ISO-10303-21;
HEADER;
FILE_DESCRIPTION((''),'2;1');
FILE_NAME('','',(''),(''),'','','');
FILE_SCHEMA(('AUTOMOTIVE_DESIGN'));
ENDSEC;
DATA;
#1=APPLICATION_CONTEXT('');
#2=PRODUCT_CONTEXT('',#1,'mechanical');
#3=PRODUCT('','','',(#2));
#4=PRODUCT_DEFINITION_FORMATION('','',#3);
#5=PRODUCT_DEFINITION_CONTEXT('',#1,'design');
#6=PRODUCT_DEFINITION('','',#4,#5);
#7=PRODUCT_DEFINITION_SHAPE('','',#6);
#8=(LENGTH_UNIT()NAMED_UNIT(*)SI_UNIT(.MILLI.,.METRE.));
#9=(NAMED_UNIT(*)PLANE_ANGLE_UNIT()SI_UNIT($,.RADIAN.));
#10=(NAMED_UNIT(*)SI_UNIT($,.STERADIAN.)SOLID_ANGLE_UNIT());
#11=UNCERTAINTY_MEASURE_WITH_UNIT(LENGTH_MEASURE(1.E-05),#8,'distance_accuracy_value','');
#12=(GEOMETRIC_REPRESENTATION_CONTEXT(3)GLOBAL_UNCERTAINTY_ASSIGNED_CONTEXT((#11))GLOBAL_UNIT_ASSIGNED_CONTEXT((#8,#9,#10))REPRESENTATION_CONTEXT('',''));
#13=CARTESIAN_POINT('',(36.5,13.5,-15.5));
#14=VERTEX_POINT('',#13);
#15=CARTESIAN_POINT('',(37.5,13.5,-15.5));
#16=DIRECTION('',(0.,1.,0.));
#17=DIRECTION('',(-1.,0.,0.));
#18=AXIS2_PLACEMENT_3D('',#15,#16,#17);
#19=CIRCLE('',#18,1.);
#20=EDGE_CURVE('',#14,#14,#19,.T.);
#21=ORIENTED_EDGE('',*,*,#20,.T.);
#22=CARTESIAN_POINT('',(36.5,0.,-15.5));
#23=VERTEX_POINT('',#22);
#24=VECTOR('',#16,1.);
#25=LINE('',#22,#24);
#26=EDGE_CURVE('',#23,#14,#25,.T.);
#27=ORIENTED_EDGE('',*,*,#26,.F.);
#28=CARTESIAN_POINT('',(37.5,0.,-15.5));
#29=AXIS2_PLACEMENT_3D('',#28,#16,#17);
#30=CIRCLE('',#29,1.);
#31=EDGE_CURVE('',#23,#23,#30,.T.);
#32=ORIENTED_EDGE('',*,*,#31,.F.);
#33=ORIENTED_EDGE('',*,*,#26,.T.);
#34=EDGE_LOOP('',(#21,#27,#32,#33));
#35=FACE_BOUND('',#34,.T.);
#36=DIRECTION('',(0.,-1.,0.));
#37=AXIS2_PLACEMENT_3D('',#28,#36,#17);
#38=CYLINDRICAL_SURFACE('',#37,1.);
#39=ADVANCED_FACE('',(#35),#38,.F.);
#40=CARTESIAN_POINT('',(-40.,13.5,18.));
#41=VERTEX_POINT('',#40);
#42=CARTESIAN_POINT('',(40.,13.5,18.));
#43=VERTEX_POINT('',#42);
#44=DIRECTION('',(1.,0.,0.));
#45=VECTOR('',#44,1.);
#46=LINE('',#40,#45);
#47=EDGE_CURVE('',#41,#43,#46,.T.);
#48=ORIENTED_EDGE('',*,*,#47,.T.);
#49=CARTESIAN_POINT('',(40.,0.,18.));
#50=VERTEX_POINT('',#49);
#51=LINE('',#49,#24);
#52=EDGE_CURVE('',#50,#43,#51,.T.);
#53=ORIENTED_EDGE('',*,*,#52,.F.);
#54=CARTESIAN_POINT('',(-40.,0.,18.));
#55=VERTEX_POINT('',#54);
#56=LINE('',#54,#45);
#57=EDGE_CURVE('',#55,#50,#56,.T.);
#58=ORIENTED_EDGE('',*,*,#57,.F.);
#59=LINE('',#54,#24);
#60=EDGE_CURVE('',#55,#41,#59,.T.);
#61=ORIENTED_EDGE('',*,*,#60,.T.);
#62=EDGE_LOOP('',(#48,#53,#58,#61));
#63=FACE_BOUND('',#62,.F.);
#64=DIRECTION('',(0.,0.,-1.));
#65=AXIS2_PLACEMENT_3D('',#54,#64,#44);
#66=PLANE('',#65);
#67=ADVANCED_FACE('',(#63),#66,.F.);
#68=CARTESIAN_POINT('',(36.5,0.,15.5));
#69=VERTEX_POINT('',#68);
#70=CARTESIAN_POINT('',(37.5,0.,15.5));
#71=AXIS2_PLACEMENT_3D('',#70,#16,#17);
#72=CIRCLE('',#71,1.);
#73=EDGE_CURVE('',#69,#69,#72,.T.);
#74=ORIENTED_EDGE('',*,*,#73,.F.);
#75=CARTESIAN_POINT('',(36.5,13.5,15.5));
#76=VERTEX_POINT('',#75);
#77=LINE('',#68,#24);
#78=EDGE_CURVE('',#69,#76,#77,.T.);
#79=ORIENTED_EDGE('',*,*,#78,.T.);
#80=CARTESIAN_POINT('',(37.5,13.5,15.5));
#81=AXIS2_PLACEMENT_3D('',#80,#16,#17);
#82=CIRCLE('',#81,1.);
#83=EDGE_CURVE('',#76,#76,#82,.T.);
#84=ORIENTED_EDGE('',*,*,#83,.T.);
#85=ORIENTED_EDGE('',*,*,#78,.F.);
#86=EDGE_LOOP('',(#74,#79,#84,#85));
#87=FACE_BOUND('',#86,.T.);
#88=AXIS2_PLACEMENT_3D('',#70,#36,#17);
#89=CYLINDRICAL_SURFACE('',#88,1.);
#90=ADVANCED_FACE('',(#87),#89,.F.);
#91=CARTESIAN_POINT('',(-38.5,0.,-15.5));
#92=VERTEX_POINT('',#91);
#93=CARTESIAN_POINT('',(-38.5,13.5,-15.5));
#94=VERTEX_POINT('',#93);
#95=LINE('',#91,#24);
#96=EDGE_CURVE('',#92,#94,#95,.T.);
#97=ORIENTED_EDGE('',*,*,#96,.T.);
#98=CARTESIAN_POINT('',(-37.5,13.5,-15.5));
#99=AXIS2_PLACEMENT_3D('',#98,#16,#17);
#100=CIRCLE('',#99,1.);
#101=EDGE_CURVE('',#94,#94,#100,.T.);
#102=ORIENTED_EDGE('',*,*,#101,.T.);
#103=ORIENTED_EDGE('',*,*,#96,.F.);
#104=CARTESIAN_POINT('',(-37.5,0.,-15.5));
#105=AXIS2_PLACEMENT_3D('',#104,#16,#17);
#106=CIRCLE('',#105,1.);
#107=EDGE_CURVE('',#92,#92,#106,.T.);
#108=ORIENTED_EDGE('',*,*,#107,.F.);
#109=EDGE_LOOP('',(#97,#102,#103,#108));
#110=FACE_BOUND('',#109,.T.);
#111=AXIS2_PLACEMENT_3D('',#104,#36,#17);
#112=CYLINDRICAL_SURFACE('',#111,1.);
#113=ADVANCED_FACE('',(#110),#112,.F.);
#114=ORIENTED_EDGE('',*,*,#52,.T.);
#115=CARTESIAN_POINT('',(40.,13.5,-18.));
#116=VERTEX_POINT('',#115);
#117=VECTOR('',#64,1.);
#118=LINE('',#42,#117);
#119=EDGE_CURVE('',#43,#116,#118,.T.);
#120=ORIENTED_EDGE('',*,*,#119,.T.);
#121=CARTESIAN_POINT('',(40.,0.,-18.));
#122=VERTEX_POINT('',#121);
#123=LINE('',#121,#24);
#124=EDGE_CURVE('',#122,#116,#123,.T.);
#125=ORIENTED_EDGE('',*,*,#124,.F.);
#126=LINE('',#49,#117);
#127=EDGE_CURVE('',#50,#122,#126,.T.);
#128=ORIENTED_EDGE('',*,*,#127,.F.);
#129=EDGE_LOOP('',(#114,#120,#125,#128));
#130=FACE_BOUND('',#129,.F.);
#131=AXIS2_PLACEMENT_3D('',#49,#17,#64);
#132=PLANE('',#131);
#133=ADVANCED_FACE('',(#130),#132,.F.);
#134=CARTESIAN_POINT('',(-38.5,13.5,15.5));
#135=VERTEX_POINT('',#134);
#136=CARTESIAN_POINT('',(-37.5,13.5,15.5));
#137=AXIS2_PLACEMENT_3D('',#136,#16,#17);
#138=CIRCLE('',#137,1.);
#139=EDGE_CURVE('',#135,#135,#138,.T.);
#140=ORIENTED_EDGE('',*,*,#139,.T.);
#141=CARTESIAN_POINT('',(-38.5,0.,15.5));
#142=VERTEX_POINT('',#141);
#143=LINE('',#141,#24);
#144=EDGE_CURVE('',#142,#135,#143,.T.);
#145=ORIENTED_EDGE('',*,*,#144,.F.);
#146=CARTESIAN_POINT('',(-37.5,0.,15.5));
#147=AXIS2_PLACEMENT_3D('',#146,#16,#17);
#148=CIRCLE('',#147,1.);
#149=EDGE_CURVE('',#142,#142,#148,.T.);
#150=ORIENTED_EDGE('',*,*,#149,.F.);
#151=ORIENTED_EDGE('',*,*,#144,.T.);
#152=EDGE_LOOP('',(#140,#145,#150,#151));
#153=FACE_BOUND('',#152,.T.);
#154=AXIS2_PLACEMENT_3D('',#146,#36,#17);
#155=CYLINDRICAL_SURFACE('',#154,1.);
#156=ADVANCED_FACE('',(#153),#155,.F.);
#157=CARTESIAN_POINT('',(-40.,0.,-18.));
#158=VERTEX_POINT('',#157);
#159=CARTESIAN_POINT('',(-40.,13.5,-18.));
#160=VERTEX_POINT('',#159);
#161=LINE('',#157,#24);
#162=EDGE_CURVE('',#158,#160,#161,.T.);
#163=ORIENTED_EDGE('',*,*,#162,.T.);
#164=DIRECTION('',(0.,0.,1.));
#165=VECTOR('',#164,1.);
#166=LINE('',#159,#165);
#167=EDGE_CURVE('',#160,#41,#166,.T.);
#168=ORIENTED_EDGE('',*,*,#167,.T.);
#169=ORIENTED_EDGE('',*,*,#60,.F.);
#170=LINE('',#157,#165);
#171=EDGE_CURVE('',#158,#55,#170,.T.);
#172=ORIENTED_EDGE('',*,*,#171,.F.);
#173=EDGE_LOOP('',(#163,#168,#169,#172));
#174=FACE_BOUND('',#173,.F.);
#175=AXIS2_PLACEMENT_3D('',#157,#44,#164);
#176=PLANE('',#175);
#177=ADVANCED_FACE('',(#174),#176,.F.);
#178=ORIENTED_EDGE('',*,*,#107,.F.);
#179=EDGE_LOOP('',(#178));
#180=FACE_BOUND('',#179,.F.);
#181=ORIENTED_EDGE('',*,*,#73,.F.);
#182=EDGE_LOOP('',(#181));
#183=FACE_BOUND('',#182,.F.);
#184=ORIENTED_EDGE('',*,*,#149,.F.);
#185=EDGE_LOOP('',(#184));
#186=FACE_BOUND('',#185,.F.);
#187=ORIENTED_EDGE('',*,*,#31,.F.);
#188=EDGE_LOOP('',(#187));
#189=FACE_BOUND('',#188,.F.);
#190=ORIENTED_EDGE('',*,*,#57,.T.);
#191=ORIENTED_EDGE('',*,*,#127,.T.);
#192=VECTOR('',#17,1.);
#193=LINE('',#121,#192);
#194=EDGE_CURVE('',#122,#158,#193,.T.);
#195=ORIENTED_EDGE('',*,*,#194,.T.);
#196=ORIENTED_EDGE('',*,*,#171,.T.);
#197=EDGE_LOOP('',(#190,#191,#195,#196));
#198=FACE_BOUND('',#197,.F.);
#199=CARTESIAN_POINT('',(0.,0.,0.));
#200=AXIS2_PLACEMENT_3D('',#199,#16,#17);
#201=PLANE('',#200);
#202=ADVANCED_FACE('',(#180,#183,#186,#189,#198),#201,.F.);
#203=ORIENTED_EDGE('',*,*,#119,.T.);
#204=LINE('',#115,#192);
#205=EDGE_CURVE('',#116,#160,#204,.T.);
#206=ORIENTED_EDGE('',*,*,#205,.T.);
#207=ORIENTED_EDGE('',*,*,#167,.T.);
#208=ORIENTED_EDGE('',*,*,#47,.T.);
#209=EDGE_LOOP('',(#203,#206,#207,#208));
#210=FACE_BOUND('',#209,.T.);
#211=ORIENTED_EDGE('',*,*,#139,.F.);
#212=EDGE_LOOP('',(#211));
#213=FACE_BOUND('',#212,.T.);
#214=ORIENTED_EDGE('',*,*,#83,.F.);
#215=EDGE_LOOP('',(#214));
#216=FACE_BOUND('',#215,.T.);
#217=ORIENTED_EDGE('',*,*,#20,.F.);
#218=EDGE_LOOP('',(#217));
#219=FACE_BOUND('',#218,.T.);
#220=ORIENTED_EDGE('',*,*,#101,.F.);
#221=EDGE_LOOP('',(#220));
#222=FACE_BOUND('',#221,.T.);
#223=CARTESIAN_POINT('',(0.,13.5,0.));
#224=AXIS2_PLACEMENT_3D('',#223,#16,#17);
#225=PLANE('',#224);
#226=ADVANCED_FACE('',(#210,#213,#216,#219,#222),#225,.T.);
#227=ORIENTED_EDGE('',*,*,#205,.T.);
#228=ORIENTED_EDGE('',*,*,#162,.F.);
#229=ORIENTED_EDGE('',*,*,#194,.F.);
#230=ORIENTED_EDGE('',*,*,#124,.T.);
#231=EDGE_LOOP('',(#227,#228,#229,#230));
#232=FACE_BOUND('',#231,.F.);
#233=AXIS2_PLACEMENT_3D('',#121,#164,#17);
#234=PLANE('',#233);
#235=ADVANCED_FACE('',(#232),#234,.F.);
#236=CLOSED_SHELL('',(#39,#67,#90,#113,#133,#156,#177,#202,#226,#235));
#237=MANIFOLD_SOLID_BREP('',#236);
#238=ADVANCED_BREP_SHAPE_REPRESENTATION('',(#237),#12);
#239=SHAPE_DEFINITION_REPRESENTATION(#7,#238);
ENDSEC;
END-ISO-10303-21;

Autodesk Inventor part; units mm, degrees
ref_plane "YZ Plane" through (0, 0, 0) normal (1, 0, 0) x (0, 1, 0)
ref_plane "XZ Plane" through (0, 0, 0) normal (0, 1, 0) x (-1, 0, 0)
ref_plane "XY Plane" through (0, 0, 0) normal (0, 0, 1) x (1, 0, 0)
sketch "Sketch1" plane through (0, 0, 0) normal (0, 1, 0) x (-1, 0, 0)
  line L0 (40, 18) -> (-40, 18)
  line L1 (-40, 18) -> (-40, -18)
  line L2 (-40, -18) -> (40, -18)
  line L3 (40, -18) -> (40, 18)
  circle A0 centre (37.5, -15.5) radius 1
  line L4 (37.5, -15.5) -> (-37.5, -15.5) construction
  line L5 (-37.5, -15.5) -> (-37.5, 15.5) construction
  line L6 (-37.5, 15.5) -> (37.5, 15.5) construction
  line L7 (37.5, 15.5) -> (37.5, -15.5) construction
  circle A1 centre (37.5, 15.5) radius 1
  circle A2 centre (-37.5, -15.5) radius 1
  circle A3 centre (-37.5, 15.5) radius 1
  point P0 (0, 0)
  dimension "d0" = 80
  dimension "d1" = 36
  dimension "d2" = 18
  dimension "d3" = 40
  dimension "d4" = 2
  dimension "d5" = 75
  dimension "d6" = 31
  dimension "d7" = 37.5
  dimension "d8" = 15.5
  dimension "d9" = 2
  dimension "d10" = 2
  dimension "d11" = 2
extrude "Extrusion1" add sketch "Sketch1" along normal blind 13.5
equation "\"d2\" = 0.5 * d1"
equation "\"d3\" = 0.5 * d0"
equation "\"d7\" = 0.5 * d5"
equation "\"d8\" = 0.5 * d6"
properties part number "LCD"
